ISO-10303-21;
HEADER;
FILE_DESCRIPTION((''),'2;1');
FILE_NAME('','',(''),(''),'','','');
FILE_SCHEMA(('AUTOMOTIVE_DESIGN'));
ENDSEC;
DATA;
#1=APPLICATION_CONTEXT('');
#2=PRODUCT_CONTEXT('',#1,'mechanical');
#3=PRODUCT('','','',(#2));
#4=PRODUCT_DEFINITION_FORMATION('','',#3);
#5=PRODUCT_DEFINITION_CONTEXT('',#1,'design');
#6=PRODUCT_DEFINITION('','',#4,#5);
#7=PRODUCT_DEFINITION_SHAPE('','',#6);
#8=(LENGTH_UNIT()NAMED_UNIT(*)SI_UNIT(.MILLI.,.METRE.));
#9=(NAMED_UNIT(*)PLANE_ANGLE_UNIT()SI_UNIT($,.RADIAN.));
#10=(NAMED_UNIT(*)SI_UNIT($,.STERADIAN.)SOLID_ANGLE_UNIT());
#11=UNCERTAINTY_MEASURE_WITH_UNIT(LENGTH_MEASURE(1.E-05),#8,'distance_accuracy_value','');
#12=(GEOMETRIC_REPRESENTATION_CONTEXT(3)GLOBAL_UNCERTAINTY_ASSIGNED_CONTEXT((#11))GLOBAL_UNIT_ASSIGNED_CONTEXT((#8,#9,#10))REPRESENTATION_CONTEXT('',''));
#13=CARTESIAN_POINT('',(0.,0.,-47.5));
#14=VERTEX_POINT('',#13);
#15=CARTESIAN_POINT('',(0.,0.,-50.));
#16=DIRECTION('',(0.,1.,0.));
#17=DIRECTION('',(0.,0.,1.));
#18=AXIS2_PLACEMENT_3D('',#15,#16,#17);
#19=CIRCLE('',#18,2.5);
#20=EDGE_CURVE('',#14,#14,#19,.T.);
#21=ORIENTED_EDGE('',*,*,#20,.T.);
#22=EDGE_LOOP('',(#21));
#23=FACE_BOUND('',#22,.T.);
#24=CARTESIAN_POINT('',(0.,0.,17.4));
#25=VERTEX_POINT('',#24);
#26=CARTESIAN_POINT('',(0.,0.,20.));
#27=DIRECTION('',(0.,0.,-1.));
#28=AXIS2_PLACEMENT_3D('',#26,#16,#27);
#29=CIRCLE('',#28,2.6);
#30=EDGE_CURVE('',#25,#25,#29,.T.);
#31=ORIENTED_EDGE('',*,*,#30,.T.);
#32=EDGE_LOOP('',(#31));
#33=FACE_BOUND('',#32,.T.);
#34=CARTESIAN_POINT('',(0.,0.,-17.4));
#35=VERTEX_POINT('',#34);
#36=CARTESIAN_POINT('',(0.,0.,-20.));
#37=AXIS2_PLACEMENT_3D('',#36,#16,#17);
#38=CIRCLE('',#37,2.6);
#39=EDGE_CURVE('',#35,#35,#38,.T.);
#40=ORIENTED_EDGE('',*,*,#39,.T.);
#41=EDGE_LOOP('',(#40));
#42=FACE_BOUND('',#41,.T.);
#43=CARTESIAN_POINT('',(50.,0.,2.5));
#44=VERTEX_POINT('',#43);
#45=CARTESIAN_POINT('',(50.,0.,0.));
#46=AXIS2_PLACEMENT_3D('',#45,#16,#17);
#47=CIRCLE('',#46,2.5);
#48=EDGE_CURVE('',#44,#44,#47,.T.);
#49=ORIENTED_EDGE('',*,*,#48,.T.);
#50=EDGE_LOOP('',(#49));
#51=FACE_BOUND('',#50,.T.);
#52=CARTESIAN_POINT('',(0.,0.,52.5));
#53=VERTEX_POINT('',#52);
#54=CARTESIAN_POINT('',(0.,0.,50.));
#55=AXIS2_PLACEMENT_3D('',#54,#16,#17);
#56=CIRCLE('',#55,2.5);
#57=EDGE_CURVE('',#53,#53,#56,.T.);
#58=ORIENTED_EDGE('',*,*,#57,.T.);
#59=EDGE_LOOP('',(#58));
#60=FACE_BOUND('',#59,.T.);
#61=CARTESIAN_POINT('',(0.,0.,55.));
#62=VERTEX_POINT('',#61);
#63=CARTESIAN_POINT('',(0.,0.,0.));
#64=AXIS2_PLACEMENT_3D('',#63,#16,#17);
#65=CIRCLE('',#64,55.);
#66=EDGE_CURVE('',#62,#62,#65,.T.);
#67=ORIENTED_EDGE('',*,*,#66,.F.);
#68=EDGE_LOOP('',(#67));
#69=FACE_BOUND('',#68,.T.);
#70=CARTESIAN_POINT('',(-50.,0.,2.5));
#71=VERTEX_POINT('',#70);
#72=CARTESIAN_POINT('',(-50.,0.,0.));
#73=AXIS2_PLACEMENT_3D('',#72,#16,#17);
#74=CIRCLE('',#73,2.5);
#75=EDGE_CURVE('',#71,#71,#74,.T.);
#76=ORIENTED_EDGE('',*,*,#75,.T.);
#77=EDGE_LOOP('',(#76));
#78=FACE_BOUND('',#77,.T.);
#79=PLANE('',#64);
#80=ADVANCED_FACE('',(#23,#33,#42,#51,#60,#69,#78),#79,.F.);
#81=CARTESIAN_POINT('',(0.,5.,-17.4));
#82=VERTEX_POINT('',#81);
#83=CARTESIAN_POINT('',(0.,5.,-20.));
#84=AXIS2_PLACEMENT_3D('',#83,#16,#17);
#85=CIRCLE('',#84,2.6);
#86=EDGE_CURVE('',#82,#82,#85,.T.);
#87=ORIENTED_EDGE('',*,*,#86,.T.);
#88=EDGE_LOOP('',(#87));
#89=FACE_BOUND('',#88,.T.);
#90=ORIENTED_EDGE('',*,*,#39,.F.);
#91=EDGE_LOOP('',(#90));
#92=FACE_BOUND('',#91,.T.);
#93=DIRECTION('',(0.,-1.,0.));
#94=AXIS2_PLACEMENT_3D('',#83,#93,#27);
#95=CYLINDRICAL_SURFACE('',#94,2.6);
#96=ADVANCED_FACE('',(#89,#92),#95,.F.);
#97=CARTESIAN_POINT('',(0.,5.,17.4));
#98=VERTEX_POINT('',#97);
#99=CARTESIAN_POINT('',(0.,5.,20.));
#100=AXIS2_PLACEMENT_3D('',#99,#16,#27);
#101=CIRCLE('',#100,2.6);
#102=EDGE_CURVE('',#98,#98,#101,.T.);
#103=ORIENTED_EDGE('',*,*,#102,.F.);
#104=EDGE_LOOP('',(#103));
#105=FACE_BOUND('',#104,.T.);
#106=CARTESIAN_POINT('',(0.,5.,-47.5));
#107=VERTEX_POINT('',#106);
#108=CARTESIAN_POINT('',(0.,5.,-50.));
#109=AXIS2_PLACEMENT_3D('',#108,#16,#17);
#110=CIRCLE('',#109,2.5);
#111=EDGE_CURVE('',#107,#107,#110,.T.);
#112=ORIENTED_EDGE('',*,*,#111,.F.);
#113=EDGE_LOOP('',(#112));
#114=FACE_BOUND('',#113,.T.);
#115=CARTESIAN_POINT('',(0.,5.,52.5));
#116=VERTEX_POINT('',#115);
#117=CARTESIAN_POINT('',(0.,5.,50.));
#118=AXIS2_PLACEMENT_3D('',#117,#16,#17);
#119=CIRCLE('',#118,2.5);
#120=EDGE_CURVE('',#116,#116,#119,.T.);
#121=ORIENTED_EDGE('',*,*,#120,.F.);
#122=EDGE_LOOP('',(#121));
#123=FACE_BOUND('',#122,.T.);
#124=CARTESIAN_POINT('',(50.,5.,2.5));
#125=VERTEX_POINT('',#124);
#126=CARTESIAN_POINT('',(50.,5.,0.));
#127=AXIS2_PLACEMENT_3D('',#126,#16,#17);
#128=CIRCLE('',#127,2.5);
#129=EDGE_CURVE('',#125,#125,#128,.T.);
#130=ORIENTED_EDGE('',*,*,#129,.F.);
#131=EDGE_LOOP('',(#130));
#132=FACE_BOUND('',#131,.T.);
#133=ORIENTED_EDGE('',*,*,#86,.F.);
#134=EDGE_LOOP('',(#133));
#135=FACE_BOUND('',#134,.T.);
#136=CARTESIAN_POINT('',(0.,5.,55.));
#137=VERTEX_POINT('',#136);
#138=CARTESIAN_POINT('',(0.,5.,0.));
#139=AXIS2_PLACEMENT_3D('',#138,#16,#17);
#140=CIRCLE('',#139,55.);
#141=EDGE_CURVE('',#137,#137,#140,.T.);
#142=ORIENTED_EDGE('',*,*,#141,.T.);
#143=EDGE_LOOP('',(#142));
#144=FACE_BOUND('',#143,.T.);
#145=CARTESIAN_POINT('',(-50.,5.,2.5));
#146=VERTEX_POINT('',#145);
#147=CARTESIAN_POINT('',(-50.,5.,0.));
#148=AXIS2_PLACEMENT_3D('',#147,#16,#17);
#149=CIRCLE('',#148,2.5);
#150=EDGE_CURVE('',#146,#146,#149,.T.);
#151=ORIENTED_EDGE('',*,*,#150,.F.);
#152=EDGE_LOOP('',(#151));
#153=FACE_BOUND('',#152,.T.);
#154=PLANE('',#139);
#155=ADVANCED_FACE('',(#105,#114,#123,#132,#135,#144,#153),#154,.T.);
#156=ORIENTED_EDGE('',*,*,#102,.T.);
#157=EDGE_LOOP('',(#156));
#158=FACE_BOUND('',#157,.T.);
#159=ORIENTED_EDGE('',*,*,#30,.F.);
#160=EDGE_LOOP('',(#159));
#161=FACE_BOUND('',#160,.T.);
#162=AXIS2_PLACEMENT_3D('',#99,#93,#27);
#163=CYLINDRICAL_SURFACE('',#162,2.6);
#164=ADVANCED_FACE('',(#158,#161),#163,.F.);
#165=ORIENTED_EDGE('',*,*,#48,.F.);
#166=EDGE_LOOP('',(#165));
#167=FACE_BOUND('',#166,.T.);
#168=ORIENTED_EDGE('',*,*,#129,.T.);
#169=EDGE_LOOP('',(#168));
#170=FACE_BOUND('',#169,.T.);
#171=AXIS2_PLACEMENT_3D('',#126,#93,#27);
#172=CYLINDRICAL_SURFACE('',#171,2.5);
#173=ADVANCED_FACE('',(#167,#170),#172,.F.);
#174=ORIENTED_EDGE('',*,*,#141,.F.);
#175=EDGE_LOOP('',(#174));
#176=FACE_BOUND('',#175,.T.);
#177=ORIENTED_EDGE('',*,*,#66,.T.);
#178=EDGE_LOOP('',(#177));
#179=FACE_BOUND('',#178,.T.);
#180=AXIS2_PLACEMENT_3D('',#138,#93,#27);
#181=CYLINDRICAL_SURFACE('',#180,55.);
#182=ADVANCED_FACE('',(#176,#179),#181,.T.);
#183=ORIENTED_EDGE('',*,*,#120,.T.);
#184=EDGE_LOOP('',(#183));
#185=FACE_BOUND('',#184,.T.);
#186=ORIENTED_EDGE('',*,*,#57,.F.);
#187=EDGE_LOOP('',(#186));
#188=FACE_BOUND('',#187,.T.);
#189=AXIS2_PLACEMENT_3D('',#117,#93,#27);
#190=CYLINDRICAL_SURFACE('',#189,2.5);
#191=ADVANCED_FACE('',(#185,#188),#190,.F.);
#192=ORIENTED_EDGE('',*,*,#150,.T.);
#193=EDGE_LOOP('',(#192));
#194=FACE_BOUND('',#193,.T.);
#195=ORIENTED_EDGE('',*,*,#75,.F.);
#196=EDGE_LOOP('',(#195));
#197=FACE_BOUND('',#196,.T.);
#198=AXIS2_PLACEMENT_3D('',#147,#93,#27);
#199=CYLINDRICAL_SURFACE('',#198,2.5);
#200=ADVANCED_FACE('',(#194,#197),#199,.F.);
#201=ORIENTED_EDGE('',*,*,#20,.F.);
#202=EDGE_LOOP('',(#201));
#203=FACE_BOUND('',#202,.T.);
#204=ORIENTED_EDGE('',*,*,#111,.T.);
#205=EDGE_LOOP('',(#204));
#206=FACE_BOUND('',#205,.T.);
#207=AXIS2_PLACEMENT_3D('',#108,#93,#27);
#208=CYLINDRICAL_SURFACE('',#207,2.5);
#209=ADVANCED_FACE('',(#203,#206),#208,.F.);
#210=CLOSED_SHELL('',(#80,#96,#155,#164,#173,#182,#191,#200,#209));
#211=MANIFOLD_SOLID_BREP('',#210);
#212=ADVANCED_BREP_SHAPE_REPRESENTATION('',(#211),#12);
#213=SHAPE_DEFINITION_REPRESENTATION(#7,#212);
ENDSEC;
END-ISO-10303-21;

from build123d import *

# Parameters (mm, degrees)
SKETCH1_R           = 55
SKETCH1_R_2         = 2.6
SKETCH1_R_3         = 2.5
BOSS_EXTRUDE1_DEPTH = 5


with BuildPart() as part:
    # Sketch1 → Boss-Extrude1 (new body)
    with BuildSketch(Plane(origin=(0, 0, 0), x_dir=(1, 0, 0), z_dir=(0, 1, 0))):
        with Locations(Location((0, 0, 0), (0, 0, 270))):
            Circle(SKETCH1_R)
        with Locations(Location((0, 20, 0), (0, 0, 270))):
            Circle(SKETCH1_R_2, mode=Mode.SUBTRACT)
        with Locations(Location((0, -20, 0), (0, 0, 90))):
            Circle(SKETCH1_R_2, mode=Mode.SUBTRACT)
        with Locations(Location((0, 50, 0), (0, 0, 270))):
            Circle(SKETCH1_R_3, mode=Mode.SUBTRACT)
        with Locations(Location((50, 0, 0), (0, 0, 270))):
            Circle(SKETCH1_R_3, mode=Mode.SUBTRACT)
        with Locations(Location((0, -50, 0), (0, 0, 270))):
            Circle(SKETCH1_R_3, mode=Mode.SUBTRACT)
        with Locations(Location((-50, 0, 0), (0, 0, 270))):
            Circle(SKETCH1_R_3, mode=Mode.SUBTRACT)
    extrude(amount=BOSS_EXTRUDE1_DEPTH)


solid = part.part
